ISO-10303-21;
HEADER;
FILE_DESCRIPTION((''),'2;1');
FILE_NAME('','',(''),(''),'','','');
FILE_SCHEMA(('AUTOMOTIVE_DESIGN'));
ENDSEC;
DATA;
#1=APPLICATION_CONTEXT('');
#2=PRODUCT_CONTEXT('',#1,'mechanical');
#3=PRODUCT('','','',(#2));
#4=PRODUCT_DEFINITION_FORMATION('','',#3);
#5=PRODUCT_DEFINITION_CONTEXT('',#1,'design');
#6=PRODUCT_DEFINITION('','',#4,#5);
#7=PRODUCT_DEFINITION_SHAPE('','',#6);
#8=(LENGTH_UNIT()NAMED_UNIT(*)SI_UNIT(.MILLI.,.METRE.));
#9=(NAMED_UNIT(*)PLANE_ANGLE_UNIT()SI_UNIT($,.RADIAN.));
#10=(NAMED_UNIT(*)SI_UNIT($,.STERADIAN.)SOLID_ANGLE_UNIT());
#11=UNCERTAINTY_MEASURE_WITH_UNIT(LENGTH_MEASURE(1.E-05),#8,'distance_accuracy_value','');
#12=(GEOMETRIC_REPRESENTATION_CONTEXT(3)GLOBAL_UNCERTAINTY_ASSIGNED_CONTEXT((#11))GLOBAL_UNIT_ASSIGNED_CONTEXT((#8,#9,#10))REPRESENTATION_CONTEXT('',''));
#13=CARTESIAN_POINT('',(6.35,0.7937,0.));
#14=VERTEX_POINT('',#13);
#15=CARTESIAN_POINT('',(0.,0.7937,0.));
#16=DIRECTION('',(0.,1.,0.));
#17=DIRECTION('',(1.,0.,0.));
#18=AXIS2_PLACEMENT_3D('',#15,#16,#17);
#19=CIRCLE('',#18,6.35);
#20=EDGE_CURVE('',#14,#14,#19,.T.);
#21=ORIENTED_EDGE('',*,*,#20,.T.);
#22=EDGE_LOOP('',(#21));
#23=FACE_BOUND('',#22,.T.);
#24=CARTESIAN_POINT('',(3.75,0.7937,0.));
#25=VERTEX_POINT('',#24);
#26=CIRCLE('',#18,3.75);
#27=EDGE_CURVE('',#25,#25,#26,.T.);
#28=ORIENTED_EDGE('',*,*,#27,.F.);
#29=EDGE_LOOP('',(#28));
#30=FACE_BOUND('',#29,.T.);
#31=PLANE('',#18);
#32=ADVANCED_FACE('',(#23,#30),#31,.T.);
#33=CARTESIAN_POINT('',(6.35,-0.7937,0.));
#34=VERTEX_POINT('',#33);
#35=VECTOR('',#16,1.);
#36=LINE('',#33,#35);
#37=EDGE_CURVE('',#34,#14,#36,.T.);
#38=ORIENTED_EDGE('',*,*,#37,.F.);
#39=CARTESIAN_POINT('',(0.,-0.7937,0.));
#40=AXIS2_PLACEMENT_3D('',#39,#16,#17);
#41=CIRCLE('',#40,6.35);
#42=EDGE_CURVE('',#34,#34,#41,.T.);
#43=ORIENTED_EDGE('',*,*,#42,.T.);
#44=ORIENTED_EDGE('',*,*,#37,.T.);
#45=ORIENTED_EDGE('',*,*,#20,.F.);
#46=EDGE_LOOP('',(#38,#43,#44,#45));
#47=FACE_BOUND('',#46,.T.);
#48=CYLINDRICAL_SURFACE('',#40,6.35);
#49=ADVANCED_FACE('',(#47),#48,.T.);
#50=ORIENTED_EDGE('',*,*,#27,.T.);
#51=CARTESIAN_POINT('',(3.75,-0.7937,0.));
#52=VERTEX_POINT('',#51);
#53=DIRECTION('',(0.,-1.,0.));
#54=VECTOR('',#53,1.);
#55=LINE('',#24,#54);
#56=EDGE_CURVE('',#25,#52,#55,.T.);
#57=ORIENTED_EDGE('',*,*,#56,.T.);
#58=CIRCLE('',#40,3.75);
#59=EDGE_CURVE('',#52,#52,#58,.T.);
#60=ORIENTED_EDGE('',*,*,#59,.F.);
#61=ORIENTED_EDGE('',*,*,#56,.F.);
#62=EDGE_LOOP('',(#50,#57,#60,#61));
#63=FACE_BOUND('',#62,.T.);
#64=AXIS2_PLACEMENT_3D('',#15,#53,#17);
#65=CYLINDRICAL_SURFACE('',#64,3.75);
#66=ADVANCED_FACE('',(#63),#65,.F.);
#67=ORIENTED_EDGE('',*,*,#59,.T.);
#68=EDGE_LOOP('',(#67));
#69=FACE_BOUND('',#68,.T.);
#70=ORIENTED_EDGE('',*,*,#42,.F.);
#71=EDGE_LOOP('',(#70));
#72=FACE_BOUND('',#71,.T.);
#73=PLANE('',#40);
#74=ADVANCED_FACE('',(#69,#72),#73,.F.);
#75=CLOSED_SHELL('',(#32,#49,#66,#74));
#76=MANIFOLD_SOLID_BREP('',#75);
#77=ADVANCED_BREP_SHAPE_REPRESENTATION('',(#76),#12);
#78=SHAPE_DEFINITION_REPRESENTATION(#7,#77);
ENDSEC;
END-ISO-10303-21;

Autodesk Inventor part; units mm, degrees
ref_plane "YZ Plane" through (0, 0, 0) normal (1, 0, 0) x (0, 1, 0)
ref_plane "XZ Plane" through (0, 0, 0) normal (0, 1, 0) x (-1, 0, 0)
ref_plane "XY Plane" through (0, 0, 0) normal (0, 0, 1) x (1, 0, 0)
sketch "Sketch1" plane through (0, 0, 0) normal (0, 0, 1) x (1, 0, 0)
  line L0 (3.75, 0.7937) -> (3.75, -0.7937)
  line L1 (3.75, -0.7937) -> (6.35, -0.7937)
  line L2 (6.35, -0.7937) -> (6.35, 0.7937)
  line L3 (6.35, 0.7937) -> (3.75, 0.7937)
  line L4 (0, 0) -> (0, 3.8331) construction
  line L5 (0, 0) -> (3.75, 0.7937) construction
  line L6 (0, 0) -> (3.75, -0.7937) construction
  point P0 (0, 0)
  dimension "d13" = 7.5
  dimension "d14" = 12.7
  dimension "d15" = 1.5875
revolve "Revolution1" add sketch "Sketch1" angle 360 about axis through (0, 0, 0) along (0, 1, 0)
thread "Thread2" size "10-32 UNF" class "2B" standard "ANSI Unified Screw Threads" length 9.525
thread "Thread1" size "10-32 UNF" class "2B" standard "ANSI Unified Screw Threads" length 9.525
sketch "Sketch2" plane through (0, 0.7937, 12.7) normal (0, 1, 0) x (1, 0, 0)
  line L0 (-7.3323, 12.7) -> (-3.6662, 19.05)
  line L1 (-3.6662, 19.05) -> (3.6662, 19.05)
  line L2 (3.6662, 19.05) -> (7.3323, 12.7)
  line L3 (7.3323, 12.7) -> (3.6662, 6.35)
  line L4 (3.6662, 6.35) -> (-3.6662, 6.35)
  line L5 (-3.6662, 6.35) -> (-7.3323, 12.7)
  circle A0 centre (0, 12.7) radius 6.35 projected
  point P0 (-5.4993, 9.525)
  point P1 (-5.4993, 15.875)
  point P2 (0, 19.05)
  point P3 (5.4993, 15.875)
  point P4 (5.4993, 9.525)
  point P5 (0, 6.35)
extrude "OD Hex" [suppressed]
sketch "Sketch3" plane through (0, 14.2875, 12.7) normal (0, 1, 0) x (1, 0, 0)
  circle A0 centre (0, 12.7) radius 4.7625
  circle A1 centre (0, 12.7) radius 76.2
  point P0 (0, 12.7)
  dimension "d8" = 152.4
  dimension "d17" = 12.7
extrude "Hex Round" [suppressed]
mirror "Mirror1" [suppressed]
sketch "Sketch4" plane through (0, 0.7937, 12.7) normal (0, 1, 0) x (1, 0, 0)
  circle A0 centre (0, 12.7) radius 3.75 projected
  line L0 (-4.3301, 12.7) -> (-2.1651, 16.45)
  line L1 (-2.1651, 16.45) -> (2.1651, 16.45)
  line L2 (2.1651, 16.45) -> (4.3301, 12.7)
  line L3 (4.3301, 12.7) -> (2.1651, 8.95)
  line L4 (2.1651, 8.95) -> (-2.1651, 8.95)
  line L5 (-2.1651, 8.95) -> (-4.3301, 12.7)
extrude "ID Hex" [suppressed]
equation "\"d13\" = ID"
equation "\"d14\" = OD"
equation "\"d15\" = Length"
equation "\"d27\" = d25"
equation "\"d17\" = OD"
equation "\"ID\" = 7.5"
equation "\"OD\" = 12.7"
equation "\"Length\" = 1.5875"
equation "\"d25\" = 9.525"
properties part number "217-6937" material "Acetal Resin, Black"
